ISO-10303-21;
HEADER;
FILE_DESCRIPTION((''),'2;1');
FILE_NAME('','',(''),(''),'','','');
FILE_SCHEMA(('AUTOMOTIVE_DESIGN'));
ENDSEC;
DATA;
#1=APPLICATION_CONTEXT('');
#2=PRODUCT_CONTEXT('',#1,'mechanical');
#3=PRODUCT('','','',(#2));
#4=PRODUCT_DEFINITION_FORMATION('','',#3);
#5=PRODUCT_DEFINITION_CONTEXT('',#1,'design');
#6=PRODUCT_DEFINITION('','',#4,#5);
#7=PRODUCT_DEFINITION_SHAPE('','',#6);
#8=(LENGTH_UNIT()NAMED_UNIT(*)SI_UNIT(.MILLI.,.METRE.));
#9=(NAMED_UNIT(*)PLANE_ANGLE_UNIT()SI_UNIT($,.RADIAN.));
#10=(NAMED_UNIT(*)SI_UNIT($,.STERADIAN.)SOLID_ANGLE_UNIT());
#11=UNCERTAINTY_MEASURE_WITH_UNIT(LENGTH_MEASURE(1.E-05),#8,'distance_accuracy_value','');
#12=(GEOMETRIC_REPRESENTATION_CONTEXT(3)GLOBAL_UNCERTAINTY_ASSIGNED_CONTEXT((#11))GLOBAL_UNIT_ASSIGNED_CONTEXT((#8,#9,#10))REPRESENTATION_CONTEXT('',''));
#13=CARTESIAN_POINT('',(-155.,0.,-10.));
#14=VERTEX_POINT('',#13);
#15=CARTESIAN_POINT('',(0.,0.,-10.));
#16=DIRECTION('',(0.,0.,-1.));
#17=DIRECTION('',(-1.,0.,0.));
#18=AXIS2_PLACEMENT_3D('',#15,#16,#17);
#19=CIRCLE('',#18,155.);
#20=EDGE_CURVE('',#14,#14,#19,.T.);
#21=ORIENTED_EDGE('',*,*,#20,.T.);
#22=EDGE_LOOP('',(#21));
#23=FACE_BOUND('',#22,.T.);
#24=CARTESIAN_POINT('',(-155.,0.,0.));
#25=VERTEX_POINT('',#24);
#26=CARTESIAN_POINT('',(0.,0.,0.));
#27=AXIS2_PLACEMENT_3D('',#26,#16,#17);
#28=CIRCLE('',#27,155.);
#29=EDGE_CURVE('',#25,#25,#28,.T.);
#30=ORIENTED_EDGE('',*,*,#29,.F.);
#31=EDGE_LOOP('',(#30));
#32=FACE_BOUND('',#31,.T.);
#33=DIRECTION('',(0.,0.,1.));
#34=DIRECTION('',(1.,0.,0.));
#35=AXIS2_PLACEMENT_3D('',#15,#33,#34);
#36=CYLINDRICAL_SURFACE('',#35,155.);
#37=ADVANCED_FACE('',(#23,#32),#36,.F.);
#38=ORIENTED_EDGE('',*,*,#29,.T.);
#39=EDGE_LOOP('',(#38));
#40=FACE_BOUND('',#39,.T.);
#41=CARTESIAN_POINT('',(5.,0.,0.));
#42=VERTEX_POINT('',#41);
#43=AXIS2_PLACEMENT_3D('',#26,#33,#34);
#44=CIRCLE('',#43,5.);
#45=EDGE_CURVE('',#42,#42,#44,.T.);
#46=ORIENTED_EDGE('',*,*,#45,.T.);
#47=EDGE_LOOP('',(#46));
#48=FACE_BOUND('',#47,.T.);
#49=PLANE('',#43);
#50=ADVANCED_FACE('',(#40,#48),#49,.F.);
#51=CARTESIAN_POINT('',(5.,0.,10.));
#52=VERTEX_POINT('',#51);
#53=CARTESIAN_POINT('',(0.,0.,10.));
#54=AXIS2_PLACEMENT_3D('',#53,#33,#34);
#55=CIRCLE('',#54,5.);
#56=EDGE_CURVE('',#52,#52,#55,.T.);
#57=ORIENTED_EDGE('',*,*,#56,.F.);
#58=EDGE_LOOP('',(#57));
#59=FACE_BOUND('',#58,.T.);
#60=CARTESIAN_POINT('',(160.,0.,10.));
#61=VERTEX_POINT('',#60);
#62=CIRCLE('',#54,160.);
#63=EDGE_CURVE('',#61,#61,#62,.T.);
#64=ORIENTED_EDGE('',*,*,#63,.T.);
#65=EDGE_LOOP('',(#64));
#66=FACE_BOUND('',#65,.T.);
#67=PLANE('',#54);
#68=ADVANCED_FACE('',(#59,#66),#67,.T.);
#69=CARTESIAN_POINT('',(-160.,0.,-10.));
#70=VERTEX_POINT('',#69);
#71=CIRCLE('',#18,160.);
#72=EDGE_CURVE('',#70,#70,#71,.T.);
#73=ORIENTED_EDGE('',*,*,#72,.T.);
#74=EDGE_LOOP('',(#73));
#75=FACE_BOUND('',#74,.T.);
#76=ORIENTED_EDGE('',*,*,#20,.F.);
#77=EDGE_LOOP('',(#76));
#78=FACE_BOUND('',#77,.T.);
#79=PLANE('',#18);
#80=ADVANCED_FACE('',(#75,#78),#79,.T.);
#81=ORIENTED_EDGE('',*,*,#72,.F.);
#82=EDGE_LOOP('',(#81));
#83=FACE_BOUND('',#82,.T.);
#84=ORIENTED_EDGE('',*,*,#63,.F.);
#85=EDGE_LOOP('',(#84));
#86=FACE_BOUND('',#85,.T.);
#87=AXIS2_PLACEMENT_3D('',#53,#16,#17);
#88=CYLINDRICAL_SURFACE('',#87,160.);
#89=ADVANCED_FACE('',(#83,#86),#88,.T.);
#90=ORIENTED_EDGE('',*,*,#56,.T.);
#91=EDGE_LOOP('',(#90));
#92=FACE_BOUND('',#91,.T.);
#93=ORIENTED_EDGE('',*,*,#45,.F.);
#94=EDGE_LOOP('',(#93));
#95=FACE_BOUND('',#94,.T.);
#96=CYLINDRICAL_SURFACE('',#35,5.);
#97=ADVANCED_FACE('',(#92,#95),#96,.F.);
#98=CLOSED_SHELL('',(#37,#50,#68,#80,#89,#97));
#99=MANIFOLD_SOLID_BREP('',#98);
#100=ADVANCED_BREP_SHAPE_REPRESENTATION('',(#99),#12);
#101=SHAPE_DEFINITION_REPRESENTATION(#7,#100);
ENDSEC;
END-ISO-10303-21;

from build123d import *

# Parameters (mm, degrees)
SKETCH_1_R          = 160
EXTRUDE_1_DEPTH     = 10
EXTRUDE_START       = 10
SKETCH_3_R          = 160
SKETCH_3_R_2        = 155
EXTRUDE_1_2_DEPTH   = 10
SKETCH_4_R          = 5
CUT_EXTRUDE_1_DEPTH = 228.156333832


with BuildPart() as part:
    # 草图1 → Extrude 1 (new body)
    with BuildSketch(Plane.XY):
        Circle(SKETCH_1_R)
    extrude(amount=EXTRUDE_1_DEPTH)

    # 草图3 → Extrude 1 2 (add)
    with BuildSketch(Plane(origin=(0, 0, 0), x_dir=(-1, 0, 0), z_dir=(0, 0, -1)).offset(EXTRUDE_START)):
        Circle(SKETCH_3_R)
        Circle(SKETCH_3_R_2, mode=Mode.SUBTRACT)
    extrude(amount=-EXTRUDE_1_2_DEPTH)

    # 草图4 → 切除-拉伸1 (cut, through all)
    with BuildSketch(Plane.XY.offset(10)):
        Circle(SKETCH_4_R)
    extrude(amount=-CUT_EXTRUDE_1_DEPTH, mode=Mode.SUBTRACT)


solid = part.part
